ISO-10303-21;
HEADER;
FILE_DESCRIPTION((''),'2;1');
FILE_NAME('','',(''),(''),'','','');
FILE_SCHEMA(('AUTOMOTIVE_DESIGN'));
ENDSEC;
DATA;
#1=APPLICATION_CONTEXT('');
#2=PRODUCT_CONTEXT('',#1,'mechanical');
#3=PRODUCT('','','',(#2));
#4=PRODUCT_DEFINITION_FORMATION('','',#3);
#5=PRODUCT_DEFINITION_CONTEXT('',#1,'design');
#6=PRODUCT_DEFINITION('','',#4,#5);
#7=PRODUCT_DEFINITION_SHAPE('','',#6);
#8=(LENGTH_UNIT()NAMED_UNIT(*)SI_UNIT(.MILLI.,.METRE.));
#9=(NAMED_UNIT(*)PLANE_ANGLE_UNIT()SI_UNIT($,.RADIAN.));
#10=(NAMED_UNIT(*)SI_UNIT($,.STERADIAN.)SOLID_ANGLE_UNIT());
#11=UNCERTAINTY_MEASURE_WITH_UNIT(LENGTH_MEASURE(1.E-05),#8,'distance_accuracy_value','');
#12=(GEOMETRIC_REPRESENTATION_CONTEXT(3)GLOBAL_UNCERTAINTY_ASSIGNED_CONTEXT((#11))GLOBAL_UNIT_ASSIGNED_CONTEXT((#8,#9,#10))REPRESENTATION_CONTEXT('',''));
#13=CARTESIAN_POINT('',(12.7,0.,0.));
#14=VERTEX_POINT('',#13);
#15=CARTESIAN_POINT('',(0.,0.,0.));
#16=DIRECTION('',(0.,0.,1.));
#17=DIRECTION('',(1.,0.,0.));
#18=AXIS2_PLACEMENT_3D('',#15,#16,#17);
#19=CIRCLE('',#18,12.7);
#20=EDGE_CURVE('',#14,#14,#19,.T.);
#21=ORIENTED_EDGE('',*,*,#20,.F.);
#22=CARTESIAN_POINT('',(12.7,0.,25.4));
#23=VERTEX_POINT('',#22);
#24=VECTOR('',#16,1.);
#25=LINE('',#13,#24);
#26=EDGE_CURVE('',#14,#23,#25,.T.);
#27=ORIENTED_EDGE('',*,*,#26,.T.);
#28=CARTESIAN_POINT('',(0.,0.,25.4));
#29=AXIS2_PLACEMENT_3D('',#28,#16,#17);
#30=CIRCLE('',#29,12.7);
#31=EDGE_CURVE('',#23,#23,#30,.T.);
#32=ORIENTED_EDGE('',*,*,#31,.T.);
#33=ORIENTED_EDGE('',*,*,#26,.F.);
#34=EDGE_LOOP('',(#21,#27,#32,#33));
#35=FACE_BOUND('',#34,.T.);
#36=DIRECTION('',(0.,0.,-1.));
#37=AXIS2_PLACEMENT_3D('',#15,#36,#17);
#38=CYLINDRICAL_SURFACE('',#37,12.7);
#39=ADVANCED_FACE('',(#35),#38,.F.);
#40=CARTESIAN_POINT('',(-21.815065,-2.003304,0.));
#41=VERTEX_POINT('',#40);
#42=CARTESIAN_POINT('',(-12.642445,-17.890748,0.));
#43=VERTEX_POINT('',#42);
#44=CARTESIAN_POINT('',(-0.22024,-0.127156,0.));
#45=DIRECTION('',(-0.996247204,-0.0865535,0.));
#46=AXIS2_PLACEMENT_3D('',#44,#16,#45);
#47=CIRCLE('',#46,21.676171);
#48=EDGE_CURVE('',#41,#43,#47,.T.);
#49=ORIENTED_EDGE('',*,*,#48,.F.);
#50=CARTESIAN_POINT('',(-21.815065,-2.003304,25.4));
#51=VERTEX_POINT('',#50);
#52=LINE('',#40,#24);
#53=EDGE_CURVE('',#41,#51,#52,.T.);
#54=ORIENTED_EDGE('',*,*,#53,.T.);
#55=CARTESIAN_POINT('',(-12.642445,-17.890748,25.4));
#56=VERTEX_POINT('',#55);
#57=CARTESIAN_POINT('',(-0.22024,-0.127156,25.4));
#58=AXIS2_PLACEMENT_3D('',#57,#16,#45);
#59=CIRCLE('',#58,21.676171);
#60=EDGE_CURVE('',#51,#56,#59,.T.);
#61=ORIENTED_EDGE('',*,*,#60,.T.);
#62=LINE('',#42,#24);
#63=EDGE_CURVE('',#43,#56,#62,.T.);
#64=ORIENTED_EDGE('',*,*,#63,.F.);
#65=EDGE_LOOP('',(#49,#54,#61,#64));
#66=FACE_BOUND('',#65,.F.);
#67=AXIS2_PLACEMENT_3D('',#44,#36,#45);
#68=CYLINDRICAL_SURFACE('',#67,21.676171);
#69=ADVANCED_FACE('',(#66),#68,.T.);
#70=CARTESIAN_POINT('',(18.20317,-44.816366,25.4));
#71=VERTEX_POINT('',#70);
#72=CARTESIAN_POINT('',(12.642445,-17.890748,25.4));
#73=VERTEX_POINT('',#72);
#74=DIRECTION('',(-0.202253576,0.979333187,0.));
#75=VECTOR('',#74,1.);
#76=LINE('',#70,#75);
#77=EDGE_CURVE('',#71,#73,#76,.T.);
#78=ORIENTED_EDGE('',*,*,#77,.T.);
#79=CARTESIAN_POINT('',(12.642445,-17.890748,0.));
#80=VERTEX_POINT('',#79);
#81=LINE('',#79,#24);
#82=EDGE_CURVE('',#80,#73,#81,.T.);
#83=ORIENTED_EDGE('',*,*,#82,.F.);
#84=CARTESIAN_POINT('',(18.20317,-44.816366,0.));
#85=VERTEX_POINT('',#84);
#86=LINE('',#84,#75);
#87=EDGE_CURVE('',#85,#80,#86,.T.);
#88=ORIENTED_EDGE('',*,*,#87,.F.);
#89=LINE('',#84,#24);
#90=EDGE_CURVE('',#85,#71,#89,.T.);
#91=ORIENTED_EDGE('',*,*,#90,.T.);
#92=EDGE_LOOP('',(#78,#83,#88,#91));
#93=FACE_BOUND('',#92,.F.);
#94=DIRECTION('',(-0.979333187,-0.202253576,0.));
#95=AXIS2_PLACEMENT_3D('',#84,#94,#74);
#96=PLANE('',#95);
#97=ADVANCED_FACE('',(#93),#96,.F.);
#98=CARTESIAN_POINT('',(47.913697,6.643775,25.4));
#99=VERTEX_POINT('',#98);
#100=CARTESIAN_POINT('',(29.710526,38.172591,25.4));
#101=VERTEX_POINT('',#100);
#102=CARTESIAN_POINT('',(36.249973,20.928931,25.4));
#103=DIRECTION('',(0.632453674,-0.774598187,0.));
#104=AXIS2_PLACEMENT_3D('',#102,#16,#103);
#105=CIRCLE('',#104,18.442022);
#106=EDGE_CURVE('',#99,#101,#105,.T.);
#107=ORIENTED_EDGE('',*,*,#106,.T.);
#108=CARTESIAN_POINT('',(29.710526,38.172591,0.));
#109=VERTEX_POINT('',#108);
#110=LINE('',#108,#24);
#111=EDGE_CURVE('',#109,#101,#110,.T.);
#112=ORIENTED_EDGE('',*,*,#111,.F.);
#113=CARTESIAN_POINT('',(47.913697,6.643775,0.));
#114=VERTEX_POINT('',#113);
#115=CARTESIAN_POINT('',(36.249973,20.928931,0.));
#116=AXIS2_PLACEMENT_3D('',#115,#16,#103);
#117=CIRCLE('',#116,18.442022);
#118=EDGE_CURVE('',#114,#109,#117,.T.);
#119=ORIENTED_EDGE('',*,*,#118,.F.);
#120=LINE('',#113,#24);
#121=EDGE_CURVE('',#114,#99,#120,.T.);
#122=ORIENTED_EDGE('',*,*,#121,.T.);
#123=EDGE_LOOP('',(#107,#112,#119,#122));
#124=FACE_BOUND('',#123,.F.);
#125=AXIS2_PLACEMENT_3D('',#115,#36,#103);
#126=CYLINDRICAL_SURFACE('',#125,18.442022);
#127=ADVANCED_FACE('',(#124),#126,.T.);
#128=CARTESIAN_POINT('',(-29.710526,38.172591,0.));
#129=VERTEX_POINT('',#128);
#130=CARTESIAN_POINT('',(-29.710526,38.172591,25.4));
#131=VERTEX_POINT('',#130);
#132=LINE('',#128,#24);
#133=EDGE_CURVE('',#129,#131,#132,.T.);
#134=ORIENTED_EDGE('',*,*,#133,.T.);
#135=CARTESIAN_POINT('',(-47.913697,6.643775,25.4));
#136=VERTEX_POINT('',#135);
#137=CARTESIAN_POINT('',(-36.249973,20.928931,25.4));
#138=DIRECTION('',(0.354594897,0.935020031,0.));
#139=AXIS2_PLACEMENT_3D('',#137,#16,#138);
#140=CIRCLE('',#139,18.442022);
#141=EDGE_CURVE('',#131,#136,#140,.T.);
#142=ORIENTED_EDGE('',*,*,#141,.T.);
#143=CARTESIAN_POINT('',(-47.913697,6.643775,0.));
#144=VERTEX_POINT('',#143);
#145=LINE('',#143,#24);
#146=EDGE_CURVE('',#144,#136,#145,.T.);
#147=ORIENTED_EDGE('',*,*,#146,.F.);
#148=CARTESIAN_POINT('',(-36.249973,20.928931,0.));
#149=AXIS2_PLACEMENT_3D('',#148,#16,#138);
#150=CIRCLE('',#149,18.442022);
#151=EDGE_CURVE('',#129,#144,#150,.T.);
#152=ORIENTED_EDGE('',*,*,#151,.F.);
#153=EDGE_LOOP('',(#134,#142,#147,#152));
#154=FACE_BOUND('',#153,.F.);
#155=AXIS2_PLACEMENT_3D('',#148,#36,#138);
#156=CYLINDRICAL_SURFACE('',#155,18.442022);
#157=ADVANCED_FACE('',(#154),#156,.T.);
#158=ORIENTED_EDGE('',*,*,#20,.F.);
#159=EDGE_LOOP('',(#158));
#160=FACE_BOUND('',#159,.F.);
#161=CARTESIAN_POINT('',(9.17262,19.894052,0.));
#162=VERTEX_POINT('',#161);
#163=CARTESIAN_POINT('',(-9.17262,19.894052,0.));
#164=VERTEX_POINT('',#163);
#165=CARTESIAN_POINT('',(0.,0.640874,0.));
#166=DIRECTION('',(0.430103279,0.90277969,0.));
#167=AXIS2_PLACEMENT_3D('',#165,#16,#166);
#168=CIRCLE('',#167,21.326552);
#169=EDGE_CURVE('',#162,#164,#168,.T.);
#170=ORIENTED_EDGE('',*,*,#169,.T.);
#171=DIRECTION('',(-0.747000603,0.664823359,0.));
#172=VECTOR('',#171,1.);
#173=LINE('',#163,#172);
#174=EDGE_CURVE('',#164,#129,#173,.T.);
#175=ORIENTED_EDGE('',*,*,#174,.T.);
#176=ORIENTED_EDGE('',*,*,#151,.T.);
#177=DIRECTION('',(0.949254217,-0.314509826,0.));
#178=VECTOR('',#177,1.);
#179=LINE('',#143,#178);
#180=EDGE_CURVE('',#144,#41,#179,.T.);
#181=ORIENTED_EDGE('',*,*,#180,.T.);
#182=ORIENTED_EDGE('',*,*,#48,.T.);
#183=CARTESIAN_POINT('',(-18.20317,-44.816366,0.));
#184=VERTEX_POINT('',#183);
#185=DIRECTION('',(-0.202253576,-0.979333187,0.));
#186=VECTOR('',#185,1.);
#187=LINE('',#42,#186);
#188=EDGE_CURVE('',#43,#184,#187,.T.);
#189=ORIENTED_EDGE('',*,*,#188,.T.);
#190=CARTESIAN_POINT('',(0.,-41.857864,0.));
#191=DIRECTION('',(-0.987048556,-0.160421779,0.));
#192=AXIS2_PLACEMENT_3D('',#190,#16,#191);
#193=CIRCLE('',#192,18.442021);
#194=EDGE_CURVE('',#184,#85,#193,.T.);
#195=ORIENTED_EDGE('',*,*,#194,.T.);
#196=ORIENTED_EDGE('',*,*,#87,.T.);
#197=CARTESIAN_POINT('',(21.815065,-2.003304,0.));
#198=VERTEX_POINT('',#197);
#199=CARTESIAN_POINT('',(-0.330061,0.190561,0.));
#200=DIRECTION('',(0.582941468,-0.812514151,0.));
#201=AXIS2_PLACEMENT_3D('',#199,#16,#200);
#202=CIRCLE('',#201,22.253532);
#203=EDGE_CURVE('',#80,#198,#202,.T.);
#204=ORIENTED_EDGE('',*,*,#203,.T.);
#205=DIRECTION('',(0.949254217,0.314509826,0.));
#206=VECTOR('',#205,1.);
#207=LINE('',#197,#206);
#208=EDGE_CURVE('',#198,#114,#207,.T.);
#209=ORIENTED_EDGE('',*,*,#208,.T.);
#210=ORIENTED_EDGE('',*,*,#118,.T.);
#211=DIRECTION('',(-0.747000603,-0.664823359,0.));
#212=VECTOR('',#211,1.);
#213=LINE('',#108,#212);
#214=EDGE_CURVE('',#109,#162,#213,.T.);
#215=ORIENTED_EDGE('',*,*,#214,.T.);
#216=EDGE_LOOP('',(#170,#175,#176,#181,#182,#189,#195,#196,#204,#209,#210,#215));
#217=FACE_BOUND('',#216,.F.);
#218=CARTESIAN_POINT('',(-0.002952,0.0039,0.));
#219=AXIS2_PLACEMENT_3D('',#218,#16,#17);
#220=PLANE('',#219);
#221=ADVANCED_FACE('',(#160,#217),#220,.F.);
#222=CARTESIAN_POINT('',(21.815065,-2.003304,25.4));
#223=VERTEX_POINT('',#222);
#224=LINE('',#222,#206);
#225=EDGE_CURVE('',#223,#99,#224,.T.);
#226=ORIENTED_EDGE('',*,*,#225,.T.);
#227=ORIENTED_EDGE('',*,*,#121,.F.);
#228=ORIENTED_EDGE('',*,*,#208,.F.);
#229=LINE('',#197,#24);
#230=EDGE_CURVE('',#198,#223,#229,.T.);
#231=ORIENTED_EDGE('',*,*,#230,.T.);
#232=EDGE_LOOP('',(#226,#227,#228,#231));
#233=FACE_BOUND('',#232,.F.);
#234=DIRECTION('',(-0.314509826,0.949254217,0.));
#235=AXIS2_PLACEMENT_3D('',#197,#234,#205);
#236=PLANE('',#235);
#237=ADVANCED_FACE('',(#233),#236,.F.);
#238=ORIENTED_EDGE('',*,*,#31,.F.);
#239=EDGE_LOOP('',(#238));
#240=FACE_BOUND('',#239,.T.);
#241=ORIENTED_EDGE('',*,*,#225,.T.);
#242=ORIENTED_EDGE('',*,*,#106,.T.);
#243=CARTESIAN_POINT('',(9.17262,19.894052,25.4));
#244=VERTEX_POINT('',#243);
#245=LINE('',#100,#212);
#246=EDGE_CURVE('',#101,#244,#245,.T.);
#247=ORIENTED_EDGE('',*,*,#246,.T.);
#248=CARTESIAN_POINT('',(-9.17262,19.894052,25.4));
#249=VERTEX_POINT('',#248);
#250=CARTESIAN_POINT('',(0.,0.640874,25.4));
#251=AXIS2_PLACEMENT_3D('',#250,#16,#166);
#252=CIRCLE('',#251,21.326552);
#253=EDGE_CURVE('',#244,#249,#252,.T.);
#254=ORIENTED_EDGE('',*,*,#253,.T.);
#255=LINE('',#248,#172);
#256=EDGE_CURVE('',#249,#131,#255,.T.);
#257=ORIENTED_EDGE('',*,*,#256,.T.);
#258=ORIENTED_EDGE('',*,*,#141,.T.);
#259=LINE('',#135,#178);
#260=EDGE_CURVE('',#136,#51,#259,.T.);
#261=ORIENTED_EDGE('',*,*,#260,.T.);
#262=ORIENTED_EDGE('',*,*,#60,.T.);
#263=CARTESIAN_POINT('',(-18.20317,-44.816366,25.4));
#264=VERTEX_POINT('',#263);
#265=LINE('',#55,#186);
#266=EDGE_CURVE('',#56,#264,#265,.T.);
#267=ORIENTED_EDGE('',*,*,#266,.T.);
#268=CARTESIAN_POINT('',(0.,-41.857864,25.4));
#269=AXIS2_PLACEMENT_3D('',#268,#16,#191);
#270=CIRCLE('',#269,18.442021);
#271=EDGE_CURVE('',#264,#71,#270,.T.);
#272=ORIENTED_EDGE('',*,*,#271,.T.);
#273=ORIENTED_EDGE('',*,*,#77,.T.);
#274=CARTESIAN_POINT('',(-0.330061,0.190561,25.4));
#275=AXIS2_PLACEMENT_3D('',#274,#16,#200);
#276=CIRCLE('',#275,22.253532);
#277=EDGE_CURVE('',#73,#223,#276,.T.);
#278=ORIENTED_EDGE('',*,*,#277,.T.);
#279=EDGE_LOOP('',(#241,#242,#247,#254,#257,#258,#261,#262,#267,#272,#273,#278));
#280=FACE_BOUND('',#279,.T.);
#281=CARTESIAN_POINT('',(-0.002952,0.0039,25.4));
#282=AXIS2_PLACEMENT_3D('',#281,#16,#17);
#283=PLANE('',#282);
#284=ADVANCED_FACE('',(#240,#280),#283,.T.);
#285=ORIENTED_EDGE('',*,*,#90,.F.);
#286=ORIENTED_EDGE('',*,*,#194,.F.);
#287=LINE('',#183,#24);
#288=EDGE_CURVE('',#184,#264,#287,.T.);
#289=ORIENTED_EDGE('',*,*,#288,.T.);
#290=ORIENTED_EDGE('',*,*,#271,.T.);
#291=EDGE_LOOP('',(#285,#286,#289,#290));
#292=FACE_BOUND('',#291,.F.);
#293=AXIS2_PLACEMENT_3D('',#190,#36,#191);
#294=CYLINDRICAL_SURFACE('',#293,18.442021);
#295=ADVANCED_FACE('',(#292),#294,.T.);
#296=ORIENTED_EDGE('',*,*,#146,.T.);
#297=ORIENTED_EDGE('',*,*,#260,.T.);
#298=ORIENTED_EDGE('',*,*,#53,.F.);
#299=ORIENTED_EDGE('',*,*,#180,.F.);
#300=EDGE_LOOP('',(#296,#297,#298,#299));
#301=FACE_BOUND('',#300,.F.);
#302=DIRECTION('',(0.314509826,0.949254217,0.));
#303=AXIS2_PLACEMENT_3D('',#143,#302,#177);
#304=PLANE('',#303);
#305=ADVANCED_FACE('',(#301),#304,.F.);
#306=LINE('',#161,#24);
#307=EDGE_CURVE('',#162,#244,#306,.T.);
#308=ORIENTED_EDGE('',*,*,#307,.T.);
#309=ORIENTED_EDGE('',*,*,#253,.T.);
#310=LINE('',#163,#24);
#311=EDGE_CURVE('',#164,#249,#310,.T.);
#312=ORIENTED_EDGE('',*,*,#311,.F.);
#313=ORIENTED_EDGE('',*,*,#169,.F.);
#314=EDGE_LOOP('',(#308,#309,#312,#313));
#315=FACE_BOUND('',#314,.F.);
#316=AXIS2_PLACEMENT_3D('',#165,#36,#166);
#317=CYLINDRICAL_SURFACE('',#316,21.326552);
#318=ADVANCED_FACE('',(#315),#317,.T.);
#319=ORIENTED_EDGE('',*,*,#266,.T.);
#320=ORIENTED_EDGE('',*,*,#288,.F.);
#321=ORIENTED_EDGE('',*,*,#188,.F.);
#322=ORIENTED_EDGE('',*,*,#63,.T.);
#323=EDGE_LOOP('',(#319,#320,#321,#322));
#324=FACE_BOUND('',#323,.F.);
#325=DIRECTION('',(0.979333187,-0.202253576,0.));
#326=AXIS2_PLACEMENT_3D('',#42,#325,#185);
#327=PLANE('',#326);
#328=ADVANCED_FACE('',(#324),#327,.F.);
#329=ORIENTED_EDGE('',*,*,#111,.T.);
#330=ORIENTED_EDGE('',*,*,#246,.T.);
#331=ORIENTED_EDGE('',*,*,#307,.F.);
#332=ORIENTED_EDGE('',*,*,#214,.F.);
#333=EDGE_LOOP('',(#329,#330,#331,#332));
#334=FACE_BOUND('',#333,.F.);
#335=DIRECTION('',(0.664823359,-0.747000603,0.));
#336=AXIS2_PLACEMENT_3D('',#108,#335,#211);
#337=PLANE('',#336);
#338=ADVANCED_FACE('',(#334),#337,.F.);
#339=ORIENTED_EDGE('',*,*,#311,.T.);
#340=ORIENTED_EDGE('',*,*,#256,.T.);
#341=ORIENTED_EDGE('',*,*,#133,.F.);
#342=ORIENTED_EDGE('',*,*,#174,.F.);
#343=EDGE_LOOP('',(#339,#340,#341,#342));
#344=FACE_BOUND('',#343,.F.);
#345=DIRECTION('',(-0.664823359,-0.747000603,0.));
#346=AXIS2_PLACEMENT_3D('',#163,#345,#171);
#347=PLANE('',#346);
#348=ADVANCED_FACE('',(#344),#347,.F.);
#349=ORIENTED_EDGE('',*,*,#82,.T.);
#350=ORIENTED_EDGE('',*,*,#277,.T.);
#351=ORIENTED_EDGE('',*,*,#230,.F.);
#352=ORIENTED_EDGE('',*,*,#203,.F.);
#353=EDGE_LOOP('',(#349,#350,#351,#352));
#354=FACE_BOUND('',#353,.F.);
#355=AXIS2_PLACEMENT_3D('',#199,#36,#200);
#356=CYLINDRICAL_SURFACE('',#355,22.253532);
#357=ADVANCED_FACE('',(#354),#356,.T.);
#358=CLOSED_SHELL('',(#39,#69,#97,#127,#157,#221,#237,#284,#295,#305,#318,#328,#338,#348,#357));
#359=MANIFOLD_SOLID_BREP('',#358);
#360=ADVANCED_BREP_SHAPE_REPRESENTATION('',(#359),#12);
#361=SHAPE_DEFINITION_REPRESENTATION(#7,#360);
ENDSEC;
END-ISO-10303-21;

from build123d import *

# Parameters (mm, degrees)
F0_R     = 12.7
F1_DEPTH = 25.4


with BuildPart() as f1:
    # F0 (on Top) → F1 (new body)
    with BuildSketch(Plane.XY):
        with BuildLine():
            ThreePointArc((-21.815065, -2.003304), (-18.992355, -10.965241), (-12.642445, -17.890748))
            Line((-12.642445, -17.890748), (-18.20317, -44.816366))
            ThreePointArc((-18.20317, -44.816366), (0, -60.299885), (18.20317, -44.816366))
            Line((18.20317, -44.816366), (12.642445, -17.890748))
            ThreePointArc((12.642445, -17.890748), (18.942062, -10.936205), (21.815065, -2.003304))
            Line((21.815065, -2.003304), (47.913697, 6.643775))
            ThreePointArc((47.913697, 6.643775), (52.221232, 30.149942), (29.710526, 38.172591))
            Line((29.710526, 38.172591), (9.17262, 19.894052))
            ThreePointArc((9.17262, 19.894052), (0, 21.967426), (-9.17262, 19.894052))
            Line((-9.17262, 19.894052), (-29.710526, 38.172591))
            ThreePointArc((-29.710526, 38.172591), (-52.221232, 30.149942), (-47.913697, 6.643775))
            Line((-47.913697, 6.643775), (-21.815065, -2.003304))
        make_face()
        Circle(F0_R, mode=Mode.SUBTRACT)
    extrude(amount=F1_DEPTH)


solid = f1.part
